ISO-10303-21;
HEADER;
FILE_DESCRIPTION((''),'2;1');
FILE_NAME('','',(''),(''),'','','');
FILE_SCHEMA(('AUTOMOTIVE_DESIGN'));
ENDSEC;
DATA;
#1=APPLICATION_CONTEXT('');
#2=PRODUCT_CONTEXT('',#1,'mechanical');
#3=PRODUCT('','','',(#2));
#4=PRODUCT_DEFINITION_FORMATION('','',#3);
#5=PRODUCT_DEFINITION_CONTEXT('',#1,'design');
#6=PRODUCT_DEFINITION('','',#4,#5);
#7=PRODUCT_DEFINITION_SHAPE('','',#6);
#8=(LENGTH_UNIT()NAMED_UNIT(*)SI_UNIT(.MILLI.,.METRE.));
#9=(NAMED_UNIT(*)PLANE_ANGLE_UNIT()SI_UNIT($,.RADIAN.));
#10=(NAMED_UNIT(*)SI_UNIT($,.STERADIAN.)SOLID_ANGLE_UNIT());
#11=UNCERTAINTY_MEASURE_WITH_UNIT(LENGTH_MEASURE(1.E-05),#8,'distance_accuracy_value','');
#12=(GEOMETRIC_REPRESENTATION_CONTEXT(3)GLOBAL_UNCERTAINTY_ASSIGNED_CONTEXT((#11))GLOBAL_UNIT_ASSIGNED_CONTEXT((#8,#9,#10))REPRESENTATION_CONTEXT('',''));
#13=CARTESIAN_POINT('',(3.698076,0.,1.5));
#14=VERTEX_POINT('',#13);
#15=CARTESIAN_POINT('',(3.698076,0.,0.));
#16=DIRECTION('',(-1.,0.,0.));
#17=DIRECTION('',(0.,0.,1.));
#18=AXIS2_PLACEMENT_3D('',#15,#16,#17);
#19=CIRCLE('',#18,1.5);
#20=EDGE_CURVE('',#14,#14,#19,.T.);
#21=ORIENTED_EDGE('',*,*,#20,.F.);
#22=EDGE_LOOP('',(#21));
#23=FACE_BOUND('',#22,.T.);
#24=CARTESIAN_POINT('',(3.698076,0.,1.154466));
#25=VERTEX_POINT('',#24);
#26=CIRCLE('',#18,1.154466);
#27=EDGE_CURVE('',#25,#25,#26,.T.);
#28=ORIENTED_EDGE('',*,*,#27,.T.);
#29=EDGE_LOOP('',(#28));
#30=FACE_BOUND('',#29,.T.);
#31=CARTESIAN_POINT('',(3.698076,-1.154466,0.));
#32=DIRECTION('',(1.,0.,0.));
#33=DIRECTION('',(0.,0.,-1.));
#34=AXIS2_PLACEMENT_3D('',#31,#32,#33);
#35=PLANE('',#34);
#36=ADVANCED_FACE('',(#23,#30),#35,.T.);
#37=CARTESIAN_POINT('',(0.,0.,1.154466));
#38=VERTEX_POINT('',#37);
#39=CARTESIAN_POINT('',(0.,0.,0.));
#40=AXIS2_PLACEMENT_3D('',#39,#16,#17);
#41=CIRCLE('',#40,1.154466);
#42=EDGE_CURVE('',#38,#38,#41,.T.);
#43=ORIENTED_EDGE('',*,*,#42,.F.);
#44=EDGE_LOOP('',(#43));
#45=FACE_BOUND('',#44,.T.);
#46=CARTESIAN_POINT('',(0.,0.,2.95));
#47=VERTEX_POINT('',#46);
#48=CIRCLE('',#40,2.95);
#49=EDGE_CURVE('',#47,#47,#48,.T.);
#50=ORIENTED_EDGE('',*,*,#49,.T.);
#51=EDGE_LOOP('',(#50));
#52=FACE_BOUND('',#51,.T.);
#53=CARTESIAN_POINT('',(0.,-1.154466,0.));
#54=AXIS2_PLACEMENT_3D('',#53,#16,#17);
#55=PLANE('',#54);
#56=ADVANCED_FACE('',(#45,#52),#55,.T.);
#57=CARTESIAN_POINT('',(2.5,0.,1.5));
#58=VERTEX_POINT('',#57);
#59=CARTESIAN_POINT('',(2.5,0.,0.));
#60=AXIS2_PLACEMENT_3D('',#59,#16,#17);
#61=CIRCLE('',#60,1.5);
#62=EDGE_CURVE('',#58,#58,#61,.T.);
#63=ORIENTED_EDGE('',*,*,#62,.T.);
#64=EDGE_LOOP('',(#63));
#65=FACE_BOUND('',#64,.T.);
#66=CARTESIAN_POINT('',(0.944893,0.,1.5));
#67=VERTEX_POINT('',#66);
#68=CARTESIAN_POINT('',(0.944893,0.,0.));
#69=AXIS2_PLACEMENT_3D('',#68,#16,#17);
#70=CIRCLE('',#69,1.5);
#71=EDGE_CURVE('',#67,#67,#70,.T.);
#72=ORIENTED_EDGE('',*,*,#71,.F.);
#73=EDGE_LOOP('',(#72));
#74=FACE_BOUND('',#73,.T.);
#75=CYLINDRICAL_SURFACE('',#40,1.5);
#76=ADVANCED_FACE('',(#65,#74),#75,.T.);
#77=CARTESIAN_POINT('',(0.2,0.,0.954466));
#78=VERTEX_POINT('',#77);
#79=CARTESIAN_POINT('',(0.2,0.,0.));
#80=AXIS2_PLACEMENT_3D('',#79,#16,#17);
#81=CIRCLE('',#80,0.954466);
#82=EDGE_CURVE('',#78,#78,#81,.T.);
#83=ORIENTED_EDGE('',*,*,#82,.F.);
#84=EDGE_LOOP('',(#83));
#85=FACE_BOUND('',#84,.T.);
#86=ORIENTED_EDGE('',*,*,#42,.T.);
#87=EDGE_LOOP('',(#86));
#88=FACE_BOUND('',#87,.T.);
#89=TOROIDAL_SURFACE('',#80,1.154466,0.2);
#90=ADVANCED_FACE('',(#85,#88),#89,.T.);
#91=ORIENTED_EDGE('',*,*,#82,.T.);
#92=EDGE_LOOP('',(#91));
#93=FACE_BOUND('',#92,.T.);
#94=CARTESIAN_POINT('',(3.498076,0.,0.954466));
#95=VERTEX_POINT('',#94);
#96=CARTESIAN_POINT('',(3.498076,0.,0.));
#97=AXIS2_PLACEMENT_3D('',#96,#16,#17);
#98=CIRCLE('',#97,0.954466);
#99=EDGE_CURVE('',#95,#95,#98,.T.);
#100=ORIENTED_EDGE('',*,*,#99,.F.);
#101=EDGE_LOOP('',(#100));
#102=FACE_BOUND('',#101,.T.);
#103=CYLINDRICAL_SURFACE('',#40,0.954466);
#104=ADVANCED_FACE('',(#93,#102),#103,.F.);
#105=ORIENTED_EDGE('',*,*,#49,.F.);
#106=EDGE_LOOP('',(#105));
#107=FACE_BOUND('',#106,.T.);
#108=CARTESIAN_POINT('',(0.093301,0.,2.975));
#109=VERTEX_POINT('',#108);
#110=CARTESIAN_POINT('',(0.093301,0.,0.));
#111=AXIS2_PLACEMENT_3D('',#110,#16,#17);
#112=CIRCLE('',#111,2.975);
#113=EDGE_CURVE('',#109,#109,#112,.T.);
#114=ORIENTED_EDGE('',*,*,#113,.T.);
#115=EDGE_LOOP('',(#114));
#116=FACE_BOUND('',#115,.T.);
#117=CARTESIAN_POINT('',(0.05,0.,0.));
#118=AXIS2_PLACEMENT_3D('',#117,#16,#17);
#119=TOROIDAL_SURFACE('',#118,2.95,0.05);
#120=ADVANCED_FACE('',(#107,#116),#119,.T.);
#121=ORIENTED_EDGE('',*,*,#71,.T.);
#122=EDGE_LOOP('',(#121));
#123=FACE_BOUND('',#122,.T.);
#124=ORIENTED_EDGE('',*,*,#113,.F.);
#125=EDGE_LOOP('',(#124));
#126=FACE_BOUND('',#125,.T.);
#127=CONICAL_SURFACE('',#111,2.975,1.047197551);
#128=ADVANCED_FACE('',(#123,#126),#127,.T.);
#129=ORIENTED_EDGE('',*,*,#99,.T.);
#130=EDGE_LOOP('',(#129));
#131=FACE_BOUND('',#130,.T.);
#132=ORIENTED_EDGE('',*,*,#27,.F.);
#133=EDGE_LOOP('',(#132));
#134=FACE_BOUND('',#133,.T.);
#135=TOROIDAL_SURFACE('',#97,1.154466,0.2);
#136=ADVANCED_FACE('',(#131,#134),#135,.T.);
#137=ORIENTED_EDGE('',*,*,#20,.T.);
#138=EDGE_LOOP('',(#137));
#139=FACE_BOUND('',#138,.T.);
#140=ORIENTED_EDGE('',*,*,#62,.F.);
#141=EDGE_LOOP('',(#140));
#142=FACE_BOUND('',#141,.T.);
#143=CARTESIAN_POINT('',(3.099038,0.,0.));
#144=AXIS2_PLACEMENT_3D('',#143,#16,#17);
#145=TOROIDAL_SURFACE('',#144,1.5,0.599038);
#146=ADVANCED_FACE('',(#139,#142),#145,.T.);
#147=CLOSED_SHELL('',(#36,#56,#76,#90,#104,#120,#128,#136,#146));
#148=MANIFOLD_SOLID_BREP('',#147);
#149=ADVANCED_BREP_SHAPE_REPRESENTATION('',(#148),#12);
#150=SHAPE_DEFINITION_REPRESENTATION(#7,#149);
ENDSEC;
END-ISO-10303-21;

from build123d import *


with BuildPart() as part:
    # Эскиз2 → Повернуть1 (revolve)
    with BuildSketch(Plane.XY):
        with BuildLine():
            Line((3.498076211, -0.95446582), (0.2, -0.95446582))
            ThreePointArc((0.2, -0.95446582), (0.058578644, -1.013044464), (0, -1.15446582))
            Line((0, -1.15446582), (0, -2.95))
            ThreePointArc((0, -2.95), (0.037059048, -2.998296291), (0.09330127, -2.975))
            Line((0.09330127, -2.975), (0.944892917, -1.5))
            Line((0.944892917, -1.5), (2.5, -1.5))
            ThreePointArc((2.5, -1.5), (3.099038106, -2.099038106), (3.698076211, -1.5))
            Line((3.698076211, -1.5), (3.698076211, -1.15446582))
            ThreePointArc((3.698076211, -1.15446582), (3.639497568, -1.013044464), (3.498076211, -0.95446582))
        make_face()
    revolve(axis=Axis((0, 0, 0), (1, 0, 0)))


solid = part.part
